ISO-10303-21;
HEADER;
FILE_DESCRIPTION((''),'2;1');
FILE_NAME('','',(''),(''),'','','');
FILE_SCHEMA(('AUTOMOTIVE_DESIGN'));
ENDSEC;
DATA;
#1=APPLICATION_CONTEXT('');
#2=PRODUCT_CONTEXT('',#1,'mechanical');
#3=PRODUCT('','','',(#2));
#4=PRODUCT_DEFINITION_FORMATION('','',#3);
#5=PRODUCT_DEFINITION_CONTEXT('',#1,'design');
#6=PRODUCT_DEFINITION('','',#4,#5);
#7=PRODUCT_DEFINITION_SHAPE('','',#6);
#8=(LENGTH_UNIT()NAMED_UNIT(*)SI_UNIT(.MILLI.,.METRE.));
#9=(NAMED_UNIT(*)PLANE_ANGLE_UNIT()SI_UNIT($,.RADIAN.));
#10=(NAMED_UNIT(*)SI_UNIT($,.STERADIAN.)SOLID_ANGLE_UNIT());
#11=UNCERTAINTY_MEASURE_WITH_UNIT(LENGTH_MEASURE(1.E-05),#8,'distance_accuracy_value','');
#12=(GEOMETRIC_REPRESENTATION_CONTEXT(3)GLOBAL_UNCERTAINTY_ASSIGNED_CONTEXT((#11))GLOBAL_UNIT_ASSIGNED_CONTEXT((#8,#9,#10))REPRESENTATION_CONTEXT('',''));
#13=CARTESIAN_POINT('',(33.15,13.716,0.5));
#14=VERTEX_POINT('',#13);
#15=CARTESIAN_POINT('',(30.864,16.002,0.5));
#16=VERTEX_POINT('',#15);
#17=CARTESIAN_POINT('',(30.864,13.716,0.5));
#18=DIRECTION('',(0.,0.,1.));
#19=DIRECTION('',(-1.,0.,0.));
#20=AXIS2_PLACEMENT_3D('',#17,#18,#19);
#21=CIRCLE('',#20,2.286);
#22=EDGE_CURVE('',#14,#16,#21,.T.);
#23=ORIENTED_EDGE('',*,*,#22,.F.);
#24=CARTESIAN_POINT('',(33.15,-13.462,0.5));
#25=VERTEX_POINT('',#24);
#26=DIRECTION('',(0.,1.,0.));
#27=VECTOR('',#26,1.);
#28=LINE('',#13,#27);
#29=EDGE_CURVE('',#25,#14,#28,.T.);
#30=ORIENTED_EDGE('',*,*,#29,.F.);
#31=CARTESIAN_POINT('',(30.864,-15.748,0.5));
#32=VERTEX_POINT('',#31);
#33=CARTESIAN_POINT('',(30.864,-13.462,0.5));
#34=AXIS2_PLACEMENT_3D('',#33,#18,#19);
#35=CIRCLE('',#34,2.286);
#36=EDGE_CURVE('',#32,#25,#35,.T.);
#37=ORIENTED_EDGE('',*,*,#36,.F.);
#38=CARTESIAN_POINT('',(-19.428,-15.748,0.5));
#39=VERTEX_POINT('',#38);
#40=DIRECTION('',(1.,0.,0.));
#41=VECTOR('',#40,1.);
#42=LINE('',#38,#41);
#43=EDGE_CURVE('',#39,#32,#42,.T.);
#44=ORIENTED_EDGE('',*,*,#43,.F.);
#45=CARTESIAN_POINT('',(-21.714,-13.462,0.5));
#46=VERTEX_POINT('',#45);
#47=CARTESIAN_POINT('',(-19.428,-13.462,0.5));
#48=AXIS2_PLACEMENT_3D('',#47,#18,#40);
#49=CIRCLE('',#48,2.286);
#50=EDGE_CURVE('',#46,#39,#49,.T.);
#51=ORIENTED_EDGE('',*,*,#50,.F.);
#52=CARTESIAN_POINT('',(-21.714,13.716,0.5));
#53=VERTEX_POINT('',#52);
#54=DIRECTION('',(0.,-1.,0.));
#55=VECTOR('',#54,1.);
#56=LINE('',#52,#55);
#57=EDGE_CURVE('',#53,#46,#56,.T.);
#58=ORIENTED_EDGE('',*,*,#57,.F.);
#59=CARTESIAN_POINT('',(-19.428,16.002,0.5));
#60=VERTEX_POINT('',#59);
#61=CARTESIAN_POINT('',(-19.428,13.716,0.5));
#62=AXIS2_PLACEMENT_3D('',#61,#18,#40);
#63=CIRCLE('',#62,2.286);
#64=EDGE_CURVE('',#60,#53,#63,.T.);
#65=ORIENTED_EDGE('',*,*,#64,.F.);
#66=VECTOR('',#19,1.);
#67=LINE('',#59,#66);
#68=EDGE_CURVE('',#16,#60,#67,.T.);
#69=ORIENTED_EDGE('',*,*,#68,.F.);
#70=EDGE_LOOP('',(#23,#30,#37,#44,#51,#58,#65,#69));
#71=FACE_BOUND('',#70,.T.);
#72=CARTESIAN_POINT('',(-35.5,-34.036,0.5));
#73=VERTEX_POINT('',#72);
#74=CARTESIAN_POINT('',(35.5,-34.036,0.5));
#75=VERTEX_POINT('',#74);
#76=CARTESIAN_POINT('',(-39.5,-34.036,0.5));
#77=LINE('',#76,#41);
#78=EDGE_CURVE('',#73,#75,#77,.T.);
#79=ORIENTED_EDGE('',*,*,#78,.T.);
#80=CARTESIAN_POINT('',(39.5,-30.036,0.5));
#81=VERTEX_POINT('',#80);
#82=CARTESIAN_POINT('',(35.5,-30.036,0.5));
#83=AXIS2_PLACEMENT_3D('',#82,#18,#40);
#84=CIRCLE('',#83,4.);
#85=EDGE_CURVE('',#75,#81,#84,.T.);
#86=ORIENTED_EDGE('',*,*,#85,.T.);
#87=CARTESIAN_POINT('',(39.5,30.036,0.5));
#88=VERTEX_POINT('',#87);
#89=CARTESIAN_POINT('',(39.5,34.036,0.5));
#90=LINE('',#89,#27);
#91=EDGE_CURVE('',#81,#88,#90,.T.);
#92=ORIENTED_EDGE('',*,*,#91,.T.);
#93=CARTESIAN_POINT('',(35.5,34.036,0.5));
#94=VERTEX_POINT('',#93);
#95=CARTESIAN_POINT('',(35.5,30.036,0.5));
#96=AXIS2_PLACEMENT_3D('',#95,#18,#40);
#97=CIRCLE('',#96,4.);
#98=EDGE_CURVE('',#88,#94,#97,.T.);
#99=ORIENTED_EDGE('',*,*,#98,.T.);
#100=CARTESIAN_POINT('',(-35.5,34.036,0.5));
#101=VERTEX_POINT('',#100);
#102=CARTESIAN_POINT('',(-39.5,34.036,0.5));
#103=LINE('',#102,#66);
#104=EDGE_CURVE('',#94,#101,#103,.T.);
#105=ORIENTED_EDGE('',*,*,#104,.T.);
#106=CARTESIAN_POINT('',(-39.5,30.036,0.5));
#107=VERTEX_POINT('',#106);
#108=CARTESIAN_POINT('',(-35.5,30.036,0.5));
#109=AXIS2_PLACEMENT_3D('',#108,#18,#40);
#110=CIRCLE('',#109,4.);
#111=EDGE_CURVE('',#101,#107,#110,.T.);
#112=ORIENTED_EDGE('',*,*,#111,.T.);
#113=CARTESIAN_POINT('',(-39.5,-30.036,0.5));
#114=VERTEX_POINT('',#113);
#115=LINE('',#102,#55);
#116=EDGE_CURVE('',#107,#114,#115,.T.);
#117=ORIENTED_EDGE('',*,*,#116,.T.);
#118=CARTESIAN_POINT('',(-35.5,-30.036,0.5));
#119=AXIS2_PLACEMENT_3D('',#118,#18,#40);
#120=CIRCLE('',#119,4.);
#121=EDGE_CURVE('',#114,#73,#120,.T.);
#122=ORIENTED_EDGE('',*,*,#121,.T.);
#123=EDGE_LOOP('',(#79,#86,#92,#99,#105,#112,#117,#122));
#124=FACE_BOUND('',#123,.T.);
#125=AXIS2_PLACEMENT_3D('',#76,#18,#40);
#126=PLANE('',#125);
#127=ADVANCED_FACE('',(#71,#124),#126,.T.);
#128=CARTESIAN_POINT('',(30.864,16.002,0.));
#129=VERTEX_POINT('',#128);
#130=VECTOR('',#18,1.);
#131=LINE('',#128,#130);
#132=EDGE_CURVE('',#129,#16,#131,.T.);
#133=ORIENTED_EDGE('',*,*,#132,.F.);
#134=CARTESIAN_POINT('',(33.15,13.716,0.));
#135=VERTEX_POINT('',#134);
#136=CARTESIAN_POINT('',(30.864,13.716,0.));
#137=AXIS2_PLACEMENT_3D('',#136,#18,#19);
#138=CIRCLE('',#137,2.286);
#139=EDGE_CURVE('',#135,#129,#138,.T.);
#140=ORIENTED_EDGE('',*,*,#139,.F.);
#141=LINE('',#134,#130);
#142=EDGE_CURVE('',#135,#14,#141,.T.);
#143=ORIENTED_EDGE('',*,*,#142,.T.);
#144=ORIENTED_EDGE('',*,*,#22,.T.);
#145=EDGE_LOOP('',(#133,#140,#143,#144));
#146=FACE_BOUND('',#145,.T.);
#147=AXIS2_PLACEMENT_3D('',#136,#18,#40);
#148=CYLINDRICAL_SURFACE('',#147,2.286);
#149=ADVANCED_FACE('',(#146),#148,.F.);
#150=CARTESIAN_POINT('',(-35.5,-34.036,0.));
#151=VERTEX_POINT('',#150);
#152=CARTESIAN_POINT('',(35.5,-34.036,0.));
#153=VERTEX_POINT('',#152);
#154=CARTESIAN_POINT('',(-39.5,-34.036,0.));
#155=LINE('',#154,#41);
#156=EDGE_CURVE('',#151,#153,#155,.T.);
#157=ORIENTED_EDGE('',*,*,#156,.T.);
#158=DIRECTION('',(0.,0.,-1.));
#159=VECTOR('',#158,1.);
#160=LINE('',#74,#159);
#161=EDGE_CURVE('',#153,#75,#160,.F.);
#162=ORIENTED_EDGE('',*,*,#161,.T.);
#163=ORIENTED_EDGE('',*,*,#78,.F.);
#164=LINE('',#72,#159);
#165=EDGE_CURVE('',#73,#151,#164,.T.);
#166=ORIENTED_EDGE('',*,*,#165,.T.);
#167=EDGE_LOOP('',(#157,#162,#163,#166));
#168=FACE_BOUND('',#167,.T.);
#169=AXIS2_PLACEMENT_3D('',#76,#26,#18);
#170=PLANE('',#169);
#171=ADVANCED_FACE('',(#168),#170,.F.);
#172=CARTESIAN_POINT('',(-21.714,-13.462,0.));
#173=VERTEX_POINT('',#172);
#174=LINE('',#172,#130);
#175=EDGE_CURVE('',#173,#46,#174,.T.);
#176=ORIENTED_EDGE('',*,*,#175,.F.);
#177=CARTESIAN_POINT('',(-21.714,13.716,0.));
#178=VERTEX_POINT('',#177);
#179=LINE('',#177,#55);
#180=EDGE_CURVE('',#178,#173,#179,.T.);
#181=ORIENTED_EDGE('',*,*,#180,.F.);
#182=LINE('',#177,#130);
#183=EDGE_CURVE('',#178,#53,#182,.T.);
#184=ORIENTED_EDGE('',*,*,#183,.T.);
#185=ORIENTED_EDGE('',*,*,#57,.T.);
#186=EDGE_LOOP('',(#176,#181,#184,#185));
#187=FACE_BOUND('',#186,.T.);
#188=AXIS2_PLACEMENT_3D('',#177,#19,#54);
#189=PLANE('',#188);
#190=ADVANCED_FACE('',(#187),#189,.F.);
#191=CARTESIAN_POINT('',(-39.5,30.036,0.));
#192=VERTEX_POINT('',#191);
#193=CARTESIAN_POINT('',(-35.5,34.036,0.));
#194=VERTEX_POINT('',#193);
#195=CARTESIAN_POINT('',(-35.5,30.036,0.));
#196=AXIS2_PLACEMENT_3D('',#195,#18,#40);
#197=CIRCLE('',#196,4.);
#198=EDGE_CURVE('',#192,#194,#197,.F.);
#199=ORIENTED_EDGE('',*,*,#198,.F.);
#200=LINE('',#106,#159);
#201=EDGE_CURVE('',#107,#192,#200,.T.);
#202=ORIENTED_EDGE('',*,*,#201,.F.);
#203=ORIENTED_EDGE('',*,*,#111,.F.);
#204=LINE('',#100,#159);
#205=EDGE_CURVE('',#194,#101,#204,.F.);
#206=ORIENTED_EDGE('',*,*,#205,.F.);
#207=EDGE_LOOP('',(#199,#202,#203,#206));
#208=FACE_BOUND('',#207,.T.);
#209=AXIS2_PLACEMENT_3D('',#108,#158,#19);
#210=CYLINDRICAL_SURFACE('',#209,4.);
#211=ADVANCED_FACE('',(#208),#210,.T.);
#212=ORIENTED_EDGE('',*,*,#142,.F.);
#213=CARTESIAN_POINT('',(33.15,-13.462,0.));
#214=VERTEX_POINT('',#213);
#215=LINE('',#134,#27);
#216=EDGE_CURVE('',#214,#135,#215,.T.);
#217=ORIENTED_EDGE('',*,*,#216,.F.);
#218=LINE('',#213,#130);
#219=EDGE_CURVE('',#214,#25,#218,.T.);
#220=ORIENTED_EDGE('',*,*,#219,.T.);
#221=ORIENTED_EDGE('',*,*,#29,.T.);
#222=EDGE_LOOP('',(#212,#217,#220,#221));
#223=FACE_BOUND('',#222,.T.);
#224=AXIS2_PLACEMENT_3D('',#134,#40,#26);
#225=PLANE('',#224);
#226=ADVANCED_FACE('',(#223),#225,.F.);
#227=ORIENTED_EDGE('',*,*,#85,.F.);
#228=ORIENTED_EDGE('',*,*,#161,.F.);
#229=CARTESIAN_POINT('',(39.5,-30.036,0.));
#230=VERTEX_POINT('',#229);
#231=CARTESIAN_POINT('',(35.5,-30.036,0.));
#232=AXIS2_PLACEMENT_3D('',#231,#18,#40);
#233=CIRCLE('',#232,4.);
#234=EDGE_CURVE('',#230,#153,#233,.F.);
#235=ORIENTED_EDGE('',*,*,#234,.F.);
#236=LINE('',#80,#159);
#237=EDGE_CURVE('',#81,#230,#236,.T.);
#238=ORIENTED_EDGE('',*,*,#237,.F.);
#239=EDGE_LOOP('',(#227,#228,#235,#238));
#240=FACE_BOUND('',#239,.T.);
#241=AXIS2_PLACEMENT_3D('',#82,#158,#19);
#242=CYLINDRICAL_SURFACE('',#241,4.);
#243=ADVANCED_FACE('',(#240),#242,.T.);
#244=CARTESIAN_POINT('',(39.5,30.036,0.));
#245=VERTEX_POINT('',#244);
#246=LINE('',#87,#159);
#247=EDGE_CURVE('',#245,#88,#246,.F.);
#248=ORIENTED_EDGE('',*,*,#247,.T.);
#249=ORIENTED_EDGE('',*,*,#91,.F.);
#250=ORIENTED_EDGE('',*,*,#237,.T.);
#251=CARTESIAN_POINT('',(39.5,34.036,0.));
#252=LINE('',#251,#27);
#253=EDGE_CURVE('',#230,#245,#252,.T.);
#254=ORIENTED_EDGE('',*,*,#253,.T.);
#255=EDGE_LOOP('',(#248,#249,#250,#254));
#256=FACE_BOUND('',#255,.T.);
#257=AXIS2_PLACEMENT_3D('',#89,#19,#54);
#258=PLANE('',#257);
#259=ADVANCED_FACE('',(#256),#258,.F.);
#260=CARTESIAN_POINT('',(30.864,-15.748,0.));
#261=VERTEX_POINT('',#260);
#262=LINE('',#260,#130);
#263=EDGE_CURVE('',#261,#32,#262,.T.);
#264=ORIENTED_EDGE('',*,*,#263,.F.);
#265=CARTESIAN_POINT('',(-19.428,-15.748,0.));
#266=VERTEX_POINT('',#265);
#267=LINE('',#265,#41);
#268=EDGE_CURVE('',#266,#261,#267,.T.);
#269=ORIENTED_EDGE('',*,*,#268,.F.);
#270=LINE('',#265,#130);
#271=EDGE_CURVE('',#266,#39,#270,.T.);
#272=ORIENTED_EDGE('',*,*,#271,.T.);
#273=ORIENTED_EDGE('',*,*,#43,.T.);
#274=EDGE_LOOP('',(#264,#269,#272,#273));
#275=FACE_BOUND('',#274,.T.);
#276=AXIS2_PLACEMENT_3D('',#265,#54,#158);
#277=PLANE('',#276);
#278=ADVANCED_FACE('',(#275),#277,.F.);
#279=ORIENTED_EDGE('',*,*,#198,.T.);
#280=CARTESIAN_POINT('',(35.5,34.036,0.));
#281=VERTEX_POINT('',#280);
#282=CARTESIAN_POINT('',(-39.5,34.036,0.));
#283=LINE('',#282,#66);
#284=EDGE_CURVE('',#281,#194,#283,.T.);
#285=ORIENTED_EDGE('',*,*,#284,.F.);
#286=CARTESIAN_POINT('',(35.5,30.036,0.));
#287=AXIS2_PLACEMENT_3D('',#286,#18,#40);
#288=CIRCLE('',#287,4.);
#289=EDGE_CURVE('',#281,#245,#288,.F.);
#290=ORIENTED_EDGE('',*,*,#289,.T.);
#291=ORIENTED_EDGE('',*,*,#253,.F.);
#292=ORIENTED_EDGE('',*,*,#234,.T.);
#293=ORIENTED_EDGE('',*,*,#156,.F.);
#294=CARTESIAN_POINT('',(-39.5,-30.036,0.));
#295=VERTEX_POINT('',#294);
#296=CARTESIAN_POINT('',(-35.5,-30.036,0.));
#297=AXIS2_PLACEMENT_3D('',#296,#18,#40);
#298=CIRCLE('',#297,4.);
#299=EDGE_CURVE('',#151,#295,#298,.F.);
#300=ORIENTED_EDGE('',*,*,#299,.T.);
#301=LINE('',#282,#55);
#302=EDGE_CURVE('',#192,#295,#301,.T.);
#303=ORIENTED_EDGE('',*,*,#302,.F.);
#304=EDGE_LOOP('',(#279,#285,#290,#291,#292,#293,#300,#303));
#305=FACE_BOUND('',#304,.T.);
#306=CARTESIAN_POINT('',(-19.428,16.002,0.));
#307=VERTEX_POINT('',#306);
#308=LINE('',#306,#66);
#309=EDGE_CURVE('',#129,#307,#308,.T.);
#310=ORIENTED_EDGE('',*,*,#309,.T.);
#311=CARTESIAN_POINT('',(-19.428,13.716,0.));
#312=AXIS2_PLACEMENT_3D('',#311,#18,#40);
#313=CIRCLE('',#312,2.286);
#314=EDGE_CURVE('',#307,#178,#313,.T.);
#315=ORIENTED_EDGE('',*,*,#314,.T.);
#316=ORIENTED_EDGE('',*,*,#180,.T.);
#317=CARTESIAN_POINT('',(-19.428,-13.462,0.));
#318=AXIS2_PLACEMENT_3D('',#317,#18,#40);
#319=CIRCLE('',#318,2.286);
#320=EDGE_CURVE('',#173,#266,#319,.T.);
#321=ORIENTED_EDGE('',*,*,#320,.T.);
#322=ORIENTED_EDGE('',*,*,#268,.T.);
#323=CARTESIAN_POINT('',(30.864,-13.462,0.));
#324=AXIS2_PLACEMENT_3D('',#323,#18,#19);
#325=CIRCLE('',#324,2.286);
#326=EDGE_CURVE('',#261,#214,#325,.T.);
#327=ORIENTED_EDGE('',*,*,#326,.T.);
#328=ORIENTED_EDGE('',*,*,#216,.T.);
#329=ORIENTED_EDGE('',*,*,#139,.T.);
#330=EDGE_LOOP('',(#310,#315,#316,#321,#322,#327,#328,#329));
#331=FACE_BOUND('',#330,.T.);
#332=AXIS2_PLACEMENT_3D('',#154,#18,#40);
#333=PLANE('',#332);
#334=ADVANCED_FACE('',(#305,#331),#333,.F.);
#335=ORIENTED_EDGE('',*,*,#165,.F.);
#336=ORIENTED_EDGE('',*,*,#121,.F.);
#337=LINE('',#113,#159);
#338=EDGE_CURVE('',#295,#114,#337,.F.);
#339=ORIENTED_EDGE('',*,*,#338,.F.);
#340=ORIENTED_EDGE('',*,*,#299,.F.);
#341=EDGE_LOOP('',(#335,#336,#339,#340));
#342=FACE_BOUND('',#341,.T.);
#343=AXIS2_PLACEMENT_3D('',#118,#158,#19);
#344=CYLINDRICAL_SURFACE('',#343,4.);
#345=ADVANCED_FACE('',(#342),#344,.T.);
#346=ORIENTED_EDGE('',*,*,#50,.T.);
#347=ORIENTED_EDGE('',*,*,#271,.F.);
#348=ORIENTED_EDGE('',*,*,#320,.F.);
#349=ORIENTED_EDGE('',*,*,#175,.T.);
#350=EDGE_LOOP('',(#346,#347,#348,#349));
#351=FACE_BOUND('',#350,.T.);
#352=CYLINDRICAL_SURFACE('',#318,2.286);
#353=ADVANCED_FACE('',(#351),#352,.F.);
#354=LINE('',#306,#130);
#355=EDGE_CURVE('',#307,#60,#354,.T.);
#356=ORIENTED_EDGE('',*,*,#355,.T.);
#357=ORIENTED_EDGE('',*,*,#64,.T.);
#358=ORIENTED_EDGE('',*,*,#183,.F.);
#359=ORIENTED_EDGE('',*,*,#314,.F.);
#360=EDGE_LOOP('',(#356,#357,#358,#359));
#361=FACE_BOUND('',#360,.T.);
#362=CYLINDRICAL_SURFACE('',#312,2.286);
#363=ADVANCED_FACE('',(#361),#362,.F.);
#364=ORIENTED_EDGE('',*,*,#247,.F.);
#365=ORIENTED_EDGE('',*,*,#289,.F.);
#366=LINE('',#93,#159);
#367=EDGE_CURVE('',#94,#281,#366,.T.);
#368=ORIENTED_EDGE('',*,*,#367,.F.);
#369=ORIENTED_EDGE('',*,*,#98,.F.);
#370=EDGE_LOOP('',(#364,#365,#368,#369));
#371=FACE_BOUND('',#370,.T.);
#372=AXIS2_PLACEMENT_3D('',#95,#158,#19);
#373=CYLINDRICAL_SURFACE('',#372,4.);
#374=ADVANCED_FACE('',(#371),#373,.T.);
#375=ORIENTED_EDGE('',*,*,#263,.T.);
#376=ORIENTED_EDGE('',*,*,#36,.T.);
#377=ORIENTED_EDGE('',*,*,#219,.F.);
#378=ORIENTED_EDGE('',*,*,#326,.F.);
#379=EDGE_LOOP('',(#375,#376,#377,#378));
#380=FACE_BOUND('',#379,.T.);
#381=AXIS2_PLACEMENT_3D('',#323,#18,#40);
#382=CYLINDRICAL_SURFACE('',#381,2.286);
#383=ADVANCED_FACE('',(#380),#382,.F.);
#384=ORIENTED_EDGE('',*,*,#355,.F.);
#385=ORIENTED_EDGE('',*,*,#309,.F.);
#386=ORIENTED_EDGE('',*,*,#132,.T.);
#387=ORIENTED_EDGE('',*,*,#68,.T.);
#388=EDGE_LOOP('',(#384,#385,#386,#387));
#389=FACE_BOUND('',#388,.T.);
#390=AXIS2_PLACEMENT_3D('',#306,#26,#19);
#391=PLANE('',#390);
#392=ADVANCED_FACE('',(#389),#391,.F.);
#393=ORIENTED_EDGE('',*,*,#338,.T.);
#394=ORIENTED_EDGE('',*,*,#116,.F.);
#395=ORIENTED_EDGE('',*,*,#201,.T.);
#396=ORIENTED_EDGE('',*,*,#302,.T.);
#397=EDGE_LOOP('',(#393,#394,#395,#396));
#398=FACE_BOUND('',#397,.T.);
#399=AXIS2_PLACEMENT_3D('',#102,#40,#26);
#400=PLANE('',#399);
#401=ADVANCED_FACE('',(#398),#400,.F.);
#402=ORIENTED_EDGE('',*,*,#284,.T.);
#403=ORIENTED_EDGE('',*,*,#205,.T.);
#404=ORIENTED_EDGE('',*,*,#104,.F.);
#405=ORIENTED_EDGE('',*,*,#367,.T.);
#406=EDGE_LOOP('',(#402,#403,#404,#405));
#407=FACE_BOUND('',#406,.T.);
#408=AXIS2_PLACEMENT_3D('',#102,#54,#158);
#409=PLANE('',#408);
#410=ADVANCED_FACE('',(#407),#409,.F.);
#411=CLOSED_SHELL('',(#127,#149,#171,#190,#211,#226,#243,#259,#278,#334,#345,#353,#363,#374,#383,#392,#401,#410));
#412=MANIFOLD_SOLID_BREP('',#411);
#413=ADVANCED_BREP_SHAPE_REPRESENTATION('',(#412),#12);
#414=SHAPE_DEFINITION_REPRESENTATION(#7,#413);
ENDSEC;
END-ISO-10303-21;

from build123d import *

# Parameters (mm, degrees)
SKETCH1_W           = 79
SKETCH1_H           = 68.072
BOSS_EXTRUDE1_DEPTH = 0.5
FILLET1_R           = 4
CUT_EXTRUDE1_DEPTH  = 53.143545104


with BuildPart() as part:
    # Sketch1 → Boss-Extrude1 (new body)
    with BuildSketch(Plane.XY):
        Rectangle(SKETCH1_W, SKETCH1_H)
    extrude(amount=BOSS_EXTRUDE1_DEPTH)

    # Fillet1
    fillet1_edges = [part.edges().sort_by_distance(p)[0] for p in [
        (-39.5, 34.036, 0.25),
        (39.5, 34.036, 0.25),
        (39.5, -34.036, 0.25),
        (-39.5, -34.036, 0.25),
    ]]
    fillet(fillet1_edges, radius=FILLET1_R)

    # Sketch2 → Cut-Extrude1 (cut, through all)
    with BuildSketch(Plane.XY.offset(0.5)):
        with BuildLine():
            Line((-19.428, 16.002), (30.864, 16.002))
            ThreePointArc((30.864, 16.002), (32.480446102, 15.332446102), (33.15, 13.716))
            Line((33.15, 13.716), (33.15, -13.462))
            ThreePointArc((33.15, -13.462), (32.480446102, -15.078446102), (30.864, -15.748))
            Line((30.864, -15.748), (-19.428, -15.748))
            ThreePointArc((-19.428, -15.748), (-21.044446102, -15.078446102), (-21.714, -13.462))
            Line((-21.714, -13.462), (-21.714, 13.716))
            ThreePointArc((-21.714, 13.716), (-21.044446102, 15.332446102), (-19.428, 16.002))
        make_face()
    extrude(amount=-CUT_EXTRUDE1_DEPTH, mode=Mode.SUBTRACT)


solid = part.part
